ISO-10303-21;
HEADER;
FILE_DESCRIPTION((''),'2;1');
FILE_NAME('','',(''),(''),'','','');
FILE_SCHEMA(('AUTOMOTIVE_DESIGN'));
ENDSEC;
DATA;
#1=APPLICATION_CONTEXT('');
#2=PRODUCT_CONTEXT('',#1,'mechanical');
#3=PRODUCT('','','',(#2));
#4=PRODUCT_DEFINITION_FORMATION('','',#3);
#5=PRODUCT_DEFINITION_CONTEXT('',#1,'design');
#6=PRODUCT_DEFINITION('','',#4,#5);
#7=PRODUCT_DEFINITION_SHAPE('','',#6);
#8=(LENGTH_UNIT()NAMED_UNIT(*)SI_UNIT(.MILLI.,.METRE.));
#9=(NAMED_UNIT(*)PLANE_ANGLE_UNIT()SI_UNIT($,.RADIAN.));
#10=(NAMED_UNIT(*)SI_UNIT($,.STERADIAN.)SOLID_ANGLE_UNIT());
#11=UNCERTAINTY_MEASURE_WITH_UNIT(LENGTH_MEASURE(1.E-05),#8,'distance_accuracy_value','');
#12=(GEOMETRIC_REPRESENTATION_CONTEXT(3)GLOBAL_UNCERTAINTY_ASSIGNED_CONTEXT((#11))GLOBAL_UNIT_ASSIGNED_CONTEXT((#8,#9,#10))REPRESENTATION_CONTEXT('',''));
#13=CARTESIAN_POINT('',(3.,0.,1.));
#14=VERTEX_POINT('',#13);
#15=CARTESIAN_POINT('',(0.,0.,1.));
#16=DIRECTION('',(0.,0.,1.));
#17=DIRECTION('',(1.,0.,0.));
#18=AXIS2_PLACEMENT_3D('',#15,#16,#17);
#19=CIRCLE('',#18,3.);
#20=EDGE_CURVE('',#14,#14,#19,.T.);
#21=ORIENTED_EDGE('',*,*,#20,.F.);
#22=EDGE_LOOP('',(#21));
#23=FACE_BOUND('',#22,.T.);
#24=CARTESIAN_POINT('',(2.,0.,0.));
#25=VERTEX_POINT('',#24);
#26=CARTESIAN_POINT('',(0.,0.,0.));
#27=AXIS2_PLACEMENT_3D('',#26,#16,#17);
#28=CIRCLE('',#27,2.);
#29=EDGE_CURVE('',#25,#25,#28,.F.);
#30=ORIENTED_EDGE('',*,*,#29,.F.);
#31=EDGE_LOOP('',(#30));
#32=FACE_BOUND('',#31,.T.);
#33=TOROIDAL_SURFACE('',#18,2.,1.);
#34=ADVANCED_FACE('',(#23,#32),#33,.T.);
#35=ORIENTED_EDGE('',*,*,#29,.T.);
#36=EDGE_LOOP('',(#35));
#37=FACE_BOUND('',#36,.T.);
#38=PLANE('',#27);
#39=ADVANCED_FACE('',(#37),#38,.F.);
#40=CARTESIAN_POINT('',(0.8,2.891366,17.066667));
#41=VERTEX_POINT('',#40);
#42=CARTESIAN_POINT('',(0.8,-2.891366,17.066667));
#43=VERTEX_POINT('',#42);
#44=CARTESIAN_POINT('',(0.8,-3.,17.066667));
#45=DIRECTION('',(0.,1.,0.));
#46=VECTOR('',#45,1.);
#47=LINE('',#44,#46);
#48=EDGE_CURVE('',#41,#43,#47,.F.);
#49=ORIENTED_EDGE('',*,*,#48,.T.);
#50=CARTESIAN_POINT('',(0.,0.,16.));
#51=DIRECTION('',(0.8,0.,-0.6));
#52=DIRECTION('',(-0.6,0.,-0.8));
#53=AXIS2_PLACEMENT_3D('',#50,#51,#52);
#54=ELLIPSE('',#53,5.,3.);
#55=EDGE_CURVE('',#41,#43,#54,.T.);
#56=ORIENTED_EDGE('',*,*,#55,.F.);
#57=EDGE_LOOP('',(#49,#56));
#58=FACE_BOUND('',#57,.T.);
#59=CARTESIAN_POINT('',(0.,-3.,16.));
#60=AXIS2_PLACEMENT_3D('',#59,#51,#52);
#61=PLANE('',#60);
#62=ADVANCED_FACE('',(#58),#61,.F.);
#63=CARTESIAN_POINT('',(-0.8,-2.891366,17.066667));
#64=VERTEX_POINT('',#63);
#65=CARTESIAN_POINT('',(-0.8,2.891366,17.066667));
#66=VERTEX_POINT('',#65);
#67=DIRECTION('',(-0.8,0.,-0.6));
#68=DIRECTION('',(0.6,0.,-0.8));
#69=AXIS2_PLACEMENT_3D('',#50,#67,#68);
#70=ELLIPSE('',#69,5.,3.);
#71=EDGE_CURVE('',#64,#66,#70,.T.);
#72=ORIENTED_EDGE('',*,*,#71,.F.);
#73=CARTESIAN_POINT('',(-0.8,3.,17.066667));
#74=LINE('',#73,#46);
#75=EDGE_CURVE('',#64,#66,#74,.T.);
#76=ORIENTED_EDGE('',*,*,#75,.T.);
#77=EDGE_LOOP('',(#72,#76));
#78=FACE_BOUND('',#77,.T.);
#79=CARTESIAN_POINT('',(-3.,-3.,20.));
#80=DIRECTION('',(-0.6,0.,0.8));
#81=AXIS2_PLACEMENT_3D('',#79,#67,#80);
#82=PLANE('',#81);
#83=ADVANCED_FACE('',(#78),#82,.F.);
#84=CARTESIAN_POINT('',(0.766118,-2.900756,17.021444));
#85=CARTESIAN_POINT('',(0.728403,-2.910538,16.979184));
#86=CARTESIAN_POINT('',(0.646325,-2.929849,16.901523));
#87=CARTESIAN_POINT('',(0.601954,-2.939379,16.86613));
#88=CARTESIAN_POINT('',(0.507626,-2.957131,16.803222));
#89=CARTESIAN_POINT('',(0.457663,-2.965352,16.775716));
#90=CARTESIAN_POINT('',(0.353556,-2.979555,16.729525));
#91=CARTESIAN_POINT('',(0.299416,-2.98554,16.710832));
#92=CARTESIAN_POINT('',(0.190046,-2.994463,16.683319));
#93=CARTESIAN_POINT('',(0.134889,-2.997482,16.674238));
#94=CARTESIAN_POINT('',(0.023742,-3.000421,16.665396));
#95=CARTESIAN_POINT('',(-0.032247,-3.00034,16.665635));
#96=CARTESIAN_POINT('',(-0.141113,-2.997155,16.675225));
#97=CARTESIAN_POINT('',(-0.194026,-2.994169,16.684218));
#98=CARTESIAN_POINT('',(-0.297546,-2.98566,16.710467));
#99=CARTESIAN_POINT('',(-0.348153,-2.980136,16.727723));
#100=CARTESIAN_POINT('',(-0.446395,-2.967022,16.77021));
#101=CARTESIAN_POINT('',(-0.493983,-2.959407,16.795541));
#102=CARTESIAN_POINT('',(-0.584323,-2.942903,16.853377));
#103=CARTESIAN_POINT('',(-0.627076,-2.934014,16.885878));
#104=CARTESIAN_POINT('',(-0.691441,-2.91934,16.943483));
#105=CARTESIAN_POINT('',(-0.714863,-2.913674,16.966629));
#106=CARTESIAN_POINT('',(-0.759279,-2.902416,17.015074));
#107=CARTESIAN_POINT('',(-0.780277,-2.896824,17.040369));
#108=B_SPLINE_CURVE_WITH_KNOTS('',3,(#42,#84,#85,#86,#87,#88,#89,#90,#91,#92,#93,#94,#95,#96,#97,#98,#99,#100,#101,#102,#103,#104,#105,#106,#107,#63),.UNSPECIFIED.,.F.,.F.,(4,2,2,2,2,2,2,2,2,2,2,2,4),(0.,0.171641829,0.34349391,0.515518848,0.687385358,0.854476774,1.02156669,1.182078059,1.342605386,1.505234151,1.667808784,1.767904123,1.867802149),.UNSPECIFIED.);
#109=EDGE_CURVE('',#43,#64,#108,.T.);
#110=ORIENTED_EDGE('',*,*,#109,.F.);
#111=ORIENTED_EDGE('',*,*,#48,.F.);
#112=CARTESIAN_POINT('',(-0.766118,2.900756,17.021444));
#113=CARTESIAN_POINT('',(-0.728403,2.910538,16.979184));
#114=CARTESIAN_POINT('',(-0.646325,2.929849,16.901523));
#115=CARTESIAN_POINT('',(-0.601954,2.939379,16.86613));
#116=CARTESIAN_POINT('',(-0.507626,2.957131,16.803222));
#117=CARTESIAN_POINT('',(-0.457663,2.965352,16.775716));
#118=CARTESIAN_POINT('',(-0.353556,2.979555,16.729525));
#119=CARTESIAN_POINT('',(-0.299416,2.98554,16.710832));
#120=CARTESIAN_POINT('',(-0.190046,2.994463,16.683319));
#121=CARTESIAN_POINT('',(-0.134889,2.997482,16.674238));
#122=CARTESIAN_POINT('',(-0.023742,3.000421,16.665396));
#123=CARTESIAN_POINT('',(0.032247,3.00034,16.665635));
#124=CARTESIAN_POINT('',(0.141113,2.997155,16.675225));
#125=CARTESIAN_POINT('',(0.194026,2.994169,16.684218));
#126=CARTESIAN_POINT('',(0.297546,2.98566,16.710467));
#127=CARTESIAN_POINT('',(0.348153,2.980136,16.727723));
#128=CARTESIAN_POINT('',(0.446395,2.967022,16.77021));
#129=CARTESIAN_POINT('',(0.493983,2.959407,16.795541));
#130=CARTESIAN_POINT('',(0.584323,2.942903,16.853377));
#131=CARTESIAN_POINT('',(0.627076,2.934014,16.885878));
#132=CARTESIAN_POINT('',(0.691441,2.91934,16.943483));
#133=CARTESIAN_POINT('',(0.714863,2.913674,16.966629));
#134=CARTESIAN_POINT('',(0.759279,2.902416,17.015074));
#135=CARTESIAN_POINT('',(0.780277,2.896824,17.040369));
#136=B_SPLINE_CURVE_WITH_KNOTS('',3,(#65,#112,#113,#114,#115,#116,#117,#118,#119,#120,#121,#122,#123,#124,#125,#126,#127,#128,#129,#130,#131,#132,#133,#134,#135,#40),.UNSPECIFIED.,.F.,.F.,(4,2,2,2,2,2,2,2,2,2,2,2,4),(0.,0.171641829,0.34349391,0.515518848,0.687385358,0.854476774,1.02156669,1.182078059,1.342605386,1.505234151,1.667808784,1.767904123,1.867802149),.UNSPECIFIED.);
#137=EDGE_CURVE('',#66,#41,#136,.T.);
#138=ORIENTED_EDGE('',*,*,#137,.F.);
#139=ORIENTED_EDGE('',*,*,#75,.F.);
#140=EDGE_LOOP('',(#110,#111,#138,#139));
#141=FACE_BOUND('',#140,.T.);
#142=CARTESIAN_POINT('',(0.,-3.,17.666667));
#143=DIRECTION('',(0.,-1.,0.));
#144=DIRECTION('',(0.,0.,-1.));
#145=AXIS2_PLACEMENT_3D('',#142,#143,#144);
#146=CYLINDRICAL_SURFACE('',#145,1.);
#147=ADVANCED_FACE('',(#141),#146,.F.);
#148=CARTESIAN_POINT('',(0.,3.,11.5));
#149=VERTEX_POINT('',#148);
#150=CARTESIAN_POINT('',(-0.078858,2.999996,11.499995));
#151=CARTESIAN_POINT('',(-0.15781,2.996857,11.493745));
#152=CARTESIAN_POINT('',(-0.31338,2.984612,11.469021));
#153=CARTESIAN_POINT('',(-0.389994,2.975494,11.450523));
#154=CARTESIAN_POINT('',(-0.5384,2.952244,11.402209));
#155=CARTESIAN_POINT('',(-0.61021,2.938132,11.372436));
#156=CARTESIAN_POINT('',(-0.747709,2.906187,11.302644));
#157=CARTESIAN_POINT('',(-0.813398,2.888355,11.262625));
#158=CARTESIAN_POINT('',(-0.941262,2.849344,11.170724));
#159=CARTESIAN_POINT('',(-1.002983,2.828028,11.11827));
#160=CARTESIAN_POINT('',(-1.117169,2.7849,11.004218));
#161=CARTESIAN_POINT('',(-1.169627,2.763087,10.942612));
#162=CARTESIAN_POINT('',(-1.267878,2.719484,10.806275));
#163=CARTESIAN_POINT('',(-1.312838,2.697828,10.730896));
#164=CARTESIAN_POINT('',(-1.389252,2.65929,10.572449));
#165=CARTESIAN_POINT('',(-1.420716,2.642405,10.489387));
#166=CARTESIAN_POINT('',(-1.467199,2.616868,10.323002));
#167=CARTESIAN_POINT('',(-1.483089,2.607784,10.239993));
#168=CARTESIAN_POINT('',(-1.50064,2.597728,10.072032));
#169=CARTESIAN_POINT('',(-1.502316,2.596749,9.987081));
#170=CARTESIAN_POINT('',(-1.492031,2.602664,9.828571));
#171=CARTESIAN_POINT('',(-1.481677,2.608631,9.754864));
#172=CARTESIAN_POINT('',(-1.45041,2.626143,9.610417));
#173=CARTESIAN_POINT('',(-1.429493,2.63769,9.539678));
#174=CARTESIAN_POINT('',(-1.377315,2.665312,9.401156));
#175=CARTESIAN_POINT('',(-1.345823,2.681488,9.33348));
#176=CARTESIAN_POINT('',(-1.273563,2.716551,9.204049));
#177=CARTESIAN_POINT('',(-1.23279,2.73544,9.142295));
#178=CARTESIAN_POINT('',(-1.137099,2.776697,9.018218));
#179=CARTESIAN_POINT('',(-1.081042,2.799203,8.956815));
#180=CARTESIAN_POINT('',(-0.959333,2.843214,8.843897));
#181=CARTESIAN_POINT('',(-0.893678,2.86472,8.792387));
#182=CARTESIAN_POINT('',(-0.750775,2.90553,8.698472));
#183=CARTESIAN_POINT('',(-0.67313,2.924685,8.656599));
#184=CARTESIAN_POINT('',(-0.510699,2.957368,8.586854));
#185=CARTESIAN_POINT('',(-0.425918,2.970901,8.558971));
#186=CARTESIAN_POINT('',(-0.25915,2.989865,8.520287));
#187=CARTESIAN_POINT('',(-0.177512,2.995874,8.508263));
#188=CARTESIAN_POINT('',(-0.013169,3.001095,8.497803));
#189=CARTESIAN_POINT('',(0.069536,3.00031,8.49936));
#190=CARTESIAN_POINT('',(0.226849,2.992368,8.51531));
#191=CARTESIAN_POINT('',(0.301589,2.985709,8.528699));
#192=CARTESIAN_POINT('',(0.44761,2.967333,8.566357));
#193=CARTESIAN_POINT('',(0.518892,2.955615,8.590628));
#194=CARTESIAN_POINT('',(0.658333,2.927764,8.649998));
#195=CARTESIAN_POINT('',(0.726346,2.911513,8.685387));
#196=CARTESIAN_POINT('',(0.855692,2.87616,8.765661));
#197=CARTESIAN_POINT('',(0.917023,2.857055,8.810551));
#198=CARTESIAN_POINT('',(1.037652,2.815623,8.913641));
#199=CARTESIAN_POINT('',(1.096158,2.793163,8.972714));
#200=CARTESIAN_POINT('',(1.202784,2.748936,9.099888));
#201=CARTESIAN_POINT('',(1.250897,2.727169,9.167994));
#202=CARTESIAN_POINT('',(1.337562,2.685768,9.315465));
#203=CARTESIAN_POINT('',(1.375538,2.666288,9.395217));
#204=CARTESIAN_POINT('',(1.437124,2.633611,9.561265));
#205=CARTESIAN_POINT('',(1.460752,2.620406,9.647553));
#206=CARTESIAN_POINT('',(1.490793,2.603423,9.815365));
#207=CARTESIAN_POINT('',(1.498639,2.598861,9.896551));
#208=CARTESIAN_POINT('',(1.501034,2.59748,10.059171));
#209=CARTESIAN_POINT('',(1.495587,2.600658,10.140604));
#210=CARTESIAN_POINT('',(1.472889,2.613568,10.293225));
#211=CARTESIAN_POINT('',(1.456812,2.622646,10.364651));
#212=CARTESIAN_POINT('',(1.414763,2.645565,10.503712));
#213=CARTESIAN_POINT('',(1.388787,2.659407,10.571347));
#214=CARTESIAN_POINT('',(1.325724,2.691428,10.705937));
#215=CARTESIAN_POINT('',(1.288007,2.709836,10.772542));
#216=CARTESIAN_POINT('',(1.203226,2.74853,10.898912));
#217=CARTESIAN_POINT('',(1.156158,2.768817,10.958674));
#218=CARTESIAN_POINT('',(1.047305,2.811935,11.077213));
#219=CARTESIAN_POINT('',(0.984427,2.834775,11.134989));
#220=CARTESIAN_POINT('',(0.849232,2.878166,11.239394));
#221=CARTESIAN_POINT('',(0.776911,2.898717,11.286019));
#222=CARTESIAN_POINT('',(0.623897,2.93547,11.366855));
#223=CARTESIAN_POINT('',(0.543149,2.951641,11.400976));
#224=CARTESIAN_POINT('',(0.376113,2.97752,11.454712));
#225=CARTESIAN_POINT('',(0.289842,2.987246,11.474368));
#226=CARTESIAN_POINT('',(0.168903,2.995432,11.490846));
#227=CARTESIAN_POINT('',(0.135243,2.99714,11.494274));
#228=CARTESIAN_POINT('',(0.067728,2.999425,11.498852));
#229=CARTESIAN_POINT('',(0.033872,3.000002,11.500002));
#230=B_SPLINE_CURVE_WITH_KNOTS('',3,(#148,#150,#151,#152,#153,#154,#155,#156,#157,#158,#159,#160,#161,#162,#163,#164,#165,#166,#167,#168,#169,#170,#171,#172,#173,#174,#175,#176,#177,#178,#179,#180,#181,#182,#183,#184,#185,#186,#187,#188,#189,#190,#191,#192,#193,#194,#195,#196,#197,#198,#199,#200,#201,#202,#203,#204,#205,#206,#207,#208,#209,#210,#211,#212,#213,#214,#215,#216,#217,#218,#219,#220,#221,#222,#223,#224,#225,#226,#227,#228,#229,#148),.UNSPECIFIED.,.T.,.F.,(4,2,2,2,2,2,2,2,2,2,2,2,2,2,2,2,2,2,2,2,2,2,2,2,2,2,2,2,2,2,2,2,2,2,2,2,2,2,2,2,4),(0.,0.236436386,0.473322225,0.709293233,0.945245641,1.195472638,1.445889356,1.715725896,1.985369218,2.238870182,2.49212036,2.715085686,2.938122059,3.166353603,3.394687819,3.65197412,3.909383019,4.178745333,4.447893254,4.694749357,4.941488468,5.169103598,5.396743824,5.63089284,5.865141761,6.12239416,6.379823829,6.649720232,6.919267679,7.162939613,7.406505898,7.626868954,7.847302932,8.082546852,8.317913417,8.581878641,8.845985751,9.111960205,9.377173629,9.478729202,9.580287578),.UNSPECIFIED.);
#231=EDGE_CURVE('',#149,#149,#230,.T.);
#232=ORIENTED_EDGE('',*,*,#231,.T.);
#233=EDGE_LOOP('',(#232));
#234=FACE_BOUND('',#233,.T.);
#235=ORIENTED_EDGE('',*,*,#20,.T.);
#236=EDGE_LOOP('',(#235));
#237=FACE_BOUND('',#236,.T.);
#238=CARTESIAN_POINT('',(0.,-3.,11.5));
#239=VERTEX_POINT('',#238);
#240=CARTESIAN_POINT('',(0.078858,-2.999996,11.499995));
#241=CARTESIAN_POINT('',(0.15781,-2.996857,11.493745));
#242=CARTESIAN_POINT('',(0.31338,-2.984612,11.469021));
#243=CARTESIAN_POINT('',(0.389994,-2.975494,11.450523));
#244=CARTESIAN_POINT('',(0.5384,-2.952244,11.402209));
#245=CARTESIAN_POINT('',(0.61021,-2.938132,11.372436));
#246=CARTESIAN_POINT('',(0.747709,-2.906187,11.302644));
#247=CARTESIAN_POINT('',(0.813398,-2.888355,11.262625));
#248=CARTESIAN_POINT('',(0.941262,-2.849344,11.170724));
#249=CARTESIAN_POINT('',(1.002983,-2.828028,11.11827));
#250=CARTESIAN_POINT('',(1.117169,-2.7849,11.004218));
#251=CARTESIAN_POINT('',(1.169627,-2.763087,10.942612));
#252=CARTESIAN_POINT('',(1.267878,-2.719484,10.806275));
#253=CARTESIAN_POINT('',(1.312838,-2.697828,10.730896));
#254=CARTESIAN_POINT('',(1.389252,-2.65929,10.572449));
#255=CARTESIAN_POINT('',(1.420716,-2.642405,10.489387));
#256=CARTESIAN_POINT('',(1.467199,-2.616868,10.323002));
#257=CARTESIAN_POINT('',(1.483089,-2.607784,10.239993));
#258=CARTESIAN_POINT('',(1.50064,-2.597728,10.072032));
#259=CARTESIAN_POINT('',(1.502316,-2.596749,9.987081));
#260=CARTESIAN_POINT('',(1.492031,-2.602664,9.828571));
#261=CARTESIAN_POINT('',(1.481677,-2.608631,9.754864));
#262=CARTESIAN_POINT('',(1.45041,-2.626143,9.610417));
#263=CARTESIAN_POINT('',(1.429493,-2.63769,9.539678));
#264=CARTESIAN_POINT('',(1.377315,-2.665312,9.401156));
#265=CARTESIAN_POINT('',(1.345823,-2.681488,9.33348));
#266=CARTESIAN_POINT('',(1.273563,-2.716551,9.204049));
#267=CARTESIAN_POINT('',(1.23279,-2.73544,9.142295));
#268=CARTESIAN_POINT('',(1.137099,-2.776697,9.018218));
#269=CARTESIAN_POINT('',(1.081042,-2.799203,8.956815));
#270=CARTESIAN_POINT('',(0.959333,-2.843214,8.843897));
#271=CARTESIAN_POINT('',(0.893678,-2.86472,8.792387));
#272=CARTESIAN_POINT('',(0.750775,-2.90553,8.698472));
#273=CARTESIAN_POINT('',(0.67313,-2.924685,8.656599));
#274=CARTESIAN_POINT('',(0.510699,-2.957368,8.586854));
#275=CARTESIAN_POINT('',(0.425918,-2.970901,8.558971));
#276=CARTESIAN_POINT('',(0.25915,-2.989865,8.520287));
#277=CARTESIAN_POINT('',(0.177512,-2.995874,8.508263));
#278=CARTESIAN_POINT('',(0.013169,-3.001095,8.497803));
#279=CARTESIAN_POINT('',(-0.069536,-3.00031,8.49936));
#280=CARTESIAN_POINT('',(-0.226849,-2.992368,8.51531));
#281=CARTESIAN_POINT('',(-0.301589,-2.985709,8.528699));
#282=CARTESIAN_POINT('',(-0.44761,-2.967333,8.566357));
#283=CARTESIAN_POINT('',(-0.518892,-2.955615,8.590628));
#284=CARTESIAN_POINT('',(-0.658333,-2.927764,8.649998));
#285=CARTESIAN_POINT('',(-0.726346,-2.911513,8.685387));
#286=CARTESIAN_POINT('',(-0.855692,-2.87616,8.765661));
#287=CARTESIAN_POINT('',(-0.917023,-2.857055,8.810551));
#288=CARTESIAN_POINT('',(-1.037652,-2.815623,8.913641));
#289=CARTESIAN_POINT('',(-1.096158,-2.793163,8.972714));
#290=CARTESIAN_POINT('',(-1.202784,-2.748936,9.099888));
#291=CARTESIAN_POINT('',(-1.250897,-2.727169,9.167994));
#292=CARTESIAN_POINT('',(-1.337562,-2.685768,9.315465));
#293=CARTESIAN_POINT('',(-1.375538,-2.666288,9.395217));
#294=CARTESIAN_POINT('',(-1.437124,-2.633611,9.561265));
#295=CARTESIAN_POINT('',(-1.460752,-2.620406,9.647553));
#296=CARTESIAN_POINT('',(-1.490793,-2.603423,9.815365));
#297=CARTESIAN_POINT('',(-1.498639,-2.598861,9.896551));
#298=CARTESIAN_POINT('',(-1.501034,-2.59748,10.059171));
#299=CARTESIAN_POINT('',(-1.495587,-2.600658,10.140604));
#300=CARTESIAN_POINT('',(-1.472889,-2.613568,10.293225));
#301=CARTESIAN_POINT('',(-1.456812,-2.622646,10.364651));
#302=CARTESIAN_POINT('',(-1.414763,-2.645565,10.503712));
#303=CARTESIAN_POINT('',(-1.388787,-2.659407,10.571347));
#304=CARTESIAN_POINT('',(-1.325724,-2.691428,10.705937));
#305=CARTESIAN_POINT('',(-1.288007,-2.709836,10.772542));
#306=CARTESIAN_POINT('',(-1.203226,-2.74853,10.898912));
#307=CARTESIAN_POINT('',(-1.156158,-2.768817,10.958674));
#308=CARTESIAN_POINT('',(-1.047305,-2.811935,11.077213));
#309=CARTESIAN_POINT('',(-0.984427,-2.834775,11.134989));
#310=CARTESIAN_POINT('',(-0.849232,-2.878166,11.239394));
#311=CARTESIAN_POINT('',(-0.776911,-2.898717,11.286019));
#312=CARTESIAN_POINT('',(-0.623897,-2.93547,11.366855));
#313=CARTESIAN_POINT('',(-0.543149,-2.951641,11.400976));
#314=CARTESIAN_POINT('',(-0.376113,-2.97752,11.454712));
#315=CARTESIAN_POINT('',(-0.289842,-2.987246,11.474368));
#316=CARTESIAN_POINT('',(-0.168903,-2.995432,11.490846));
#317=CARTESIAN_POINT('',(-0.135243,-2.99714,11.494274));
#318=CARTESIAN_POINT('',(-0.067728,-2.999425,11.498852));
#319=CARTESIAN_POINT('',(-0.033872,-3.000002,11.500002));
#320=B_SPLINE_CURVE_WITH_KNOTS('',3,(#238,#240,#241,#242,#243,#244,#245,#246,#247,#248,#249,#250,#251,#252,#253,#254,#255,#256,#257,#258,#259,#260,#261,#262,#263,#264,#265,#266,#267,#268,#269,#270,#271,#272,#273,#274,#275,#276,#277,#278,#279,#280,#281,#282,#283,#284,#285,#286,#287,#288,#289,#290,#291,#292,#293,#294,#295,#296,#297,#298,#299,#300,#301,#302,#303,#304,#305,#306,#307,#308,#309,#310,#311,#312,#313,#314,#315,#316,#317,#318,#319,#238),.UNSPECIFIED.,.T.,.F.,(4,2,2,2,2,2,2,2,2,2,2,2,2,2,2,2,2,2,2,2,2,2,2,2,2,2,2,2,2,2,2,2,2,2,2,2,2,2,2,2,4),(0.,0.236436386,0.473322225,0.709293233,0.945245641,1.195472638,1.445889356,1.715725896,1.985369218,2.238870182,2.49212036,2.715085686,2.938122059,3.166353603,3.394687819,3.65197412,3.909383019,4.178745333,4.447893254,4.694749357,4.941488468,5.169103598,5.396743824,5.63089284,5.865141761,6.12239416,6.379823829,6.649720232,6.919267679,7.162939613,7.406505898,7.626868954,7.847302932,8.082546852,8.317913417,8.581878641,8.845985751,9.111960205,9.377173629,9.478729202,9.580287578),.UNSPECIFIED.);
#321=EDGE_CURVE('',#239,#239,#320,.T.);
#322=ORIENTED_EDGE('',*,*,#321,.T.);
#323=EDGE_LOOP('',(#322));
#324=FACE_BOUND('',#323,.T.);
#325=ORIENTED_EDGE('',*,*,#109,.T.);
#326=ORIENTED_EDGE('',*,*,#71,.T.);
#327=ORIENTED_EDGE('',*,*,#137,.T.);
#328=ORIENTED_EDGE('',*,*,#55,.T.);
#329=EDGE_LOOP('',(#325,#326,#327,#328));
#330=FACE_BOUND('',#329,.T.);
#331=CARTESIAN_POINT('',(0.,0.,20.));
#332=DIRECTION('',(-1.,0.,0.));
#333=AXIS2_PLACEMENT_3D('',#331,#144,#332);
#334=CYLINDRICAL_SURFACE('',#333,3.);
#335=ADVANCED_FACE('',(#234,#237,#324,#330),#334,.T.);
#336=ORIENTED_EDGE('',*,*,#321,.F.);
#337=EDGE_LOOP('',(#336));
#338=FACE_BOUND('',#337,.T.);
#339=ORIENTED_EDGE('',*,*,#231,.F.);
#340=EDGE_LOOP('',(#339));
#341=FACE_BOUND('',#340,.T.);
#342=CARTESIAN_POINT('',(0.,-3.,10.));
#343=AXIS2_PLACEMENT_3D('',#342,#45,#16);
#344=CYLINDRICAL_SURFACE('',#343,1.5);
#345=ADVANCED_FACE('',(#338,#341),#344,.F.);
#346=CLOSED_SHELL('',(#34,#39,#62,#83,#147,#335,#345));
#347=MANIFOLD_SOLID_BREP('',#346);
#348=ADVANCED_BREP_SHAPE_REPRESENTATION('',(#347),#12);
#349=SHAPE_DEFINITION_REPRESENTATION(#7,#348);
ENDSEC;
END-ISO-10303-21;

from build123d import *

# Parameters (mm, degrees)
CROQUIS1_R                 = 3
SALIENTE_EXTRUIR2_DEPTH    = 20
CROQUIS2_R                 = 1.5
CORTAR_EXTRUIR1_DEPTH      = 4
CORTAR_EXTRUIR1_DEPTH_BACK = 4
REDONDEO7_R                = 1


with BuildPart() as part:
    # Croquis1 → Saliente-Extruir2 (new body)
    with BuildSketch(Plane.XY):
        Circle(CROQUIS1_R)
    extrude(amount=SALIENTE_EXTRUIR2_DEPTH)

    # Croquis2 → Cortar-Extruir1 (cut, two sides)
    with BuildSketch(Plane(origin=(0, 0, 0), x_dir=(1, 0, 0), z_dir=(0, 1, 0))) as cortar_extruir1_sk:
        with Locations((0, -10)):
            Circle(CROQUIS2_R)
        Polygon((-3, -20), (0, -16), (3, -20), align=None)
    extrude(amount=CORTAR_EXTRUIR1_DEPTH, mode=Mode.SUBTRACT)
    extrude(cortar_extruir1_sk.sketch, amount=-CORTAR_EXTRUIR1_DEPTH_BACK, mode=Mode.SUBTRACT)

    # Redondeo7
    redondeo7_edges = [part.edges().sort_by_distance(p)[0] for p in [
        (-3, 0, 0),
        (0, 0, 16),
    ]]
    fillet(redondeo7_edges, radius=REDONDEO7_R)


solid = part.part
